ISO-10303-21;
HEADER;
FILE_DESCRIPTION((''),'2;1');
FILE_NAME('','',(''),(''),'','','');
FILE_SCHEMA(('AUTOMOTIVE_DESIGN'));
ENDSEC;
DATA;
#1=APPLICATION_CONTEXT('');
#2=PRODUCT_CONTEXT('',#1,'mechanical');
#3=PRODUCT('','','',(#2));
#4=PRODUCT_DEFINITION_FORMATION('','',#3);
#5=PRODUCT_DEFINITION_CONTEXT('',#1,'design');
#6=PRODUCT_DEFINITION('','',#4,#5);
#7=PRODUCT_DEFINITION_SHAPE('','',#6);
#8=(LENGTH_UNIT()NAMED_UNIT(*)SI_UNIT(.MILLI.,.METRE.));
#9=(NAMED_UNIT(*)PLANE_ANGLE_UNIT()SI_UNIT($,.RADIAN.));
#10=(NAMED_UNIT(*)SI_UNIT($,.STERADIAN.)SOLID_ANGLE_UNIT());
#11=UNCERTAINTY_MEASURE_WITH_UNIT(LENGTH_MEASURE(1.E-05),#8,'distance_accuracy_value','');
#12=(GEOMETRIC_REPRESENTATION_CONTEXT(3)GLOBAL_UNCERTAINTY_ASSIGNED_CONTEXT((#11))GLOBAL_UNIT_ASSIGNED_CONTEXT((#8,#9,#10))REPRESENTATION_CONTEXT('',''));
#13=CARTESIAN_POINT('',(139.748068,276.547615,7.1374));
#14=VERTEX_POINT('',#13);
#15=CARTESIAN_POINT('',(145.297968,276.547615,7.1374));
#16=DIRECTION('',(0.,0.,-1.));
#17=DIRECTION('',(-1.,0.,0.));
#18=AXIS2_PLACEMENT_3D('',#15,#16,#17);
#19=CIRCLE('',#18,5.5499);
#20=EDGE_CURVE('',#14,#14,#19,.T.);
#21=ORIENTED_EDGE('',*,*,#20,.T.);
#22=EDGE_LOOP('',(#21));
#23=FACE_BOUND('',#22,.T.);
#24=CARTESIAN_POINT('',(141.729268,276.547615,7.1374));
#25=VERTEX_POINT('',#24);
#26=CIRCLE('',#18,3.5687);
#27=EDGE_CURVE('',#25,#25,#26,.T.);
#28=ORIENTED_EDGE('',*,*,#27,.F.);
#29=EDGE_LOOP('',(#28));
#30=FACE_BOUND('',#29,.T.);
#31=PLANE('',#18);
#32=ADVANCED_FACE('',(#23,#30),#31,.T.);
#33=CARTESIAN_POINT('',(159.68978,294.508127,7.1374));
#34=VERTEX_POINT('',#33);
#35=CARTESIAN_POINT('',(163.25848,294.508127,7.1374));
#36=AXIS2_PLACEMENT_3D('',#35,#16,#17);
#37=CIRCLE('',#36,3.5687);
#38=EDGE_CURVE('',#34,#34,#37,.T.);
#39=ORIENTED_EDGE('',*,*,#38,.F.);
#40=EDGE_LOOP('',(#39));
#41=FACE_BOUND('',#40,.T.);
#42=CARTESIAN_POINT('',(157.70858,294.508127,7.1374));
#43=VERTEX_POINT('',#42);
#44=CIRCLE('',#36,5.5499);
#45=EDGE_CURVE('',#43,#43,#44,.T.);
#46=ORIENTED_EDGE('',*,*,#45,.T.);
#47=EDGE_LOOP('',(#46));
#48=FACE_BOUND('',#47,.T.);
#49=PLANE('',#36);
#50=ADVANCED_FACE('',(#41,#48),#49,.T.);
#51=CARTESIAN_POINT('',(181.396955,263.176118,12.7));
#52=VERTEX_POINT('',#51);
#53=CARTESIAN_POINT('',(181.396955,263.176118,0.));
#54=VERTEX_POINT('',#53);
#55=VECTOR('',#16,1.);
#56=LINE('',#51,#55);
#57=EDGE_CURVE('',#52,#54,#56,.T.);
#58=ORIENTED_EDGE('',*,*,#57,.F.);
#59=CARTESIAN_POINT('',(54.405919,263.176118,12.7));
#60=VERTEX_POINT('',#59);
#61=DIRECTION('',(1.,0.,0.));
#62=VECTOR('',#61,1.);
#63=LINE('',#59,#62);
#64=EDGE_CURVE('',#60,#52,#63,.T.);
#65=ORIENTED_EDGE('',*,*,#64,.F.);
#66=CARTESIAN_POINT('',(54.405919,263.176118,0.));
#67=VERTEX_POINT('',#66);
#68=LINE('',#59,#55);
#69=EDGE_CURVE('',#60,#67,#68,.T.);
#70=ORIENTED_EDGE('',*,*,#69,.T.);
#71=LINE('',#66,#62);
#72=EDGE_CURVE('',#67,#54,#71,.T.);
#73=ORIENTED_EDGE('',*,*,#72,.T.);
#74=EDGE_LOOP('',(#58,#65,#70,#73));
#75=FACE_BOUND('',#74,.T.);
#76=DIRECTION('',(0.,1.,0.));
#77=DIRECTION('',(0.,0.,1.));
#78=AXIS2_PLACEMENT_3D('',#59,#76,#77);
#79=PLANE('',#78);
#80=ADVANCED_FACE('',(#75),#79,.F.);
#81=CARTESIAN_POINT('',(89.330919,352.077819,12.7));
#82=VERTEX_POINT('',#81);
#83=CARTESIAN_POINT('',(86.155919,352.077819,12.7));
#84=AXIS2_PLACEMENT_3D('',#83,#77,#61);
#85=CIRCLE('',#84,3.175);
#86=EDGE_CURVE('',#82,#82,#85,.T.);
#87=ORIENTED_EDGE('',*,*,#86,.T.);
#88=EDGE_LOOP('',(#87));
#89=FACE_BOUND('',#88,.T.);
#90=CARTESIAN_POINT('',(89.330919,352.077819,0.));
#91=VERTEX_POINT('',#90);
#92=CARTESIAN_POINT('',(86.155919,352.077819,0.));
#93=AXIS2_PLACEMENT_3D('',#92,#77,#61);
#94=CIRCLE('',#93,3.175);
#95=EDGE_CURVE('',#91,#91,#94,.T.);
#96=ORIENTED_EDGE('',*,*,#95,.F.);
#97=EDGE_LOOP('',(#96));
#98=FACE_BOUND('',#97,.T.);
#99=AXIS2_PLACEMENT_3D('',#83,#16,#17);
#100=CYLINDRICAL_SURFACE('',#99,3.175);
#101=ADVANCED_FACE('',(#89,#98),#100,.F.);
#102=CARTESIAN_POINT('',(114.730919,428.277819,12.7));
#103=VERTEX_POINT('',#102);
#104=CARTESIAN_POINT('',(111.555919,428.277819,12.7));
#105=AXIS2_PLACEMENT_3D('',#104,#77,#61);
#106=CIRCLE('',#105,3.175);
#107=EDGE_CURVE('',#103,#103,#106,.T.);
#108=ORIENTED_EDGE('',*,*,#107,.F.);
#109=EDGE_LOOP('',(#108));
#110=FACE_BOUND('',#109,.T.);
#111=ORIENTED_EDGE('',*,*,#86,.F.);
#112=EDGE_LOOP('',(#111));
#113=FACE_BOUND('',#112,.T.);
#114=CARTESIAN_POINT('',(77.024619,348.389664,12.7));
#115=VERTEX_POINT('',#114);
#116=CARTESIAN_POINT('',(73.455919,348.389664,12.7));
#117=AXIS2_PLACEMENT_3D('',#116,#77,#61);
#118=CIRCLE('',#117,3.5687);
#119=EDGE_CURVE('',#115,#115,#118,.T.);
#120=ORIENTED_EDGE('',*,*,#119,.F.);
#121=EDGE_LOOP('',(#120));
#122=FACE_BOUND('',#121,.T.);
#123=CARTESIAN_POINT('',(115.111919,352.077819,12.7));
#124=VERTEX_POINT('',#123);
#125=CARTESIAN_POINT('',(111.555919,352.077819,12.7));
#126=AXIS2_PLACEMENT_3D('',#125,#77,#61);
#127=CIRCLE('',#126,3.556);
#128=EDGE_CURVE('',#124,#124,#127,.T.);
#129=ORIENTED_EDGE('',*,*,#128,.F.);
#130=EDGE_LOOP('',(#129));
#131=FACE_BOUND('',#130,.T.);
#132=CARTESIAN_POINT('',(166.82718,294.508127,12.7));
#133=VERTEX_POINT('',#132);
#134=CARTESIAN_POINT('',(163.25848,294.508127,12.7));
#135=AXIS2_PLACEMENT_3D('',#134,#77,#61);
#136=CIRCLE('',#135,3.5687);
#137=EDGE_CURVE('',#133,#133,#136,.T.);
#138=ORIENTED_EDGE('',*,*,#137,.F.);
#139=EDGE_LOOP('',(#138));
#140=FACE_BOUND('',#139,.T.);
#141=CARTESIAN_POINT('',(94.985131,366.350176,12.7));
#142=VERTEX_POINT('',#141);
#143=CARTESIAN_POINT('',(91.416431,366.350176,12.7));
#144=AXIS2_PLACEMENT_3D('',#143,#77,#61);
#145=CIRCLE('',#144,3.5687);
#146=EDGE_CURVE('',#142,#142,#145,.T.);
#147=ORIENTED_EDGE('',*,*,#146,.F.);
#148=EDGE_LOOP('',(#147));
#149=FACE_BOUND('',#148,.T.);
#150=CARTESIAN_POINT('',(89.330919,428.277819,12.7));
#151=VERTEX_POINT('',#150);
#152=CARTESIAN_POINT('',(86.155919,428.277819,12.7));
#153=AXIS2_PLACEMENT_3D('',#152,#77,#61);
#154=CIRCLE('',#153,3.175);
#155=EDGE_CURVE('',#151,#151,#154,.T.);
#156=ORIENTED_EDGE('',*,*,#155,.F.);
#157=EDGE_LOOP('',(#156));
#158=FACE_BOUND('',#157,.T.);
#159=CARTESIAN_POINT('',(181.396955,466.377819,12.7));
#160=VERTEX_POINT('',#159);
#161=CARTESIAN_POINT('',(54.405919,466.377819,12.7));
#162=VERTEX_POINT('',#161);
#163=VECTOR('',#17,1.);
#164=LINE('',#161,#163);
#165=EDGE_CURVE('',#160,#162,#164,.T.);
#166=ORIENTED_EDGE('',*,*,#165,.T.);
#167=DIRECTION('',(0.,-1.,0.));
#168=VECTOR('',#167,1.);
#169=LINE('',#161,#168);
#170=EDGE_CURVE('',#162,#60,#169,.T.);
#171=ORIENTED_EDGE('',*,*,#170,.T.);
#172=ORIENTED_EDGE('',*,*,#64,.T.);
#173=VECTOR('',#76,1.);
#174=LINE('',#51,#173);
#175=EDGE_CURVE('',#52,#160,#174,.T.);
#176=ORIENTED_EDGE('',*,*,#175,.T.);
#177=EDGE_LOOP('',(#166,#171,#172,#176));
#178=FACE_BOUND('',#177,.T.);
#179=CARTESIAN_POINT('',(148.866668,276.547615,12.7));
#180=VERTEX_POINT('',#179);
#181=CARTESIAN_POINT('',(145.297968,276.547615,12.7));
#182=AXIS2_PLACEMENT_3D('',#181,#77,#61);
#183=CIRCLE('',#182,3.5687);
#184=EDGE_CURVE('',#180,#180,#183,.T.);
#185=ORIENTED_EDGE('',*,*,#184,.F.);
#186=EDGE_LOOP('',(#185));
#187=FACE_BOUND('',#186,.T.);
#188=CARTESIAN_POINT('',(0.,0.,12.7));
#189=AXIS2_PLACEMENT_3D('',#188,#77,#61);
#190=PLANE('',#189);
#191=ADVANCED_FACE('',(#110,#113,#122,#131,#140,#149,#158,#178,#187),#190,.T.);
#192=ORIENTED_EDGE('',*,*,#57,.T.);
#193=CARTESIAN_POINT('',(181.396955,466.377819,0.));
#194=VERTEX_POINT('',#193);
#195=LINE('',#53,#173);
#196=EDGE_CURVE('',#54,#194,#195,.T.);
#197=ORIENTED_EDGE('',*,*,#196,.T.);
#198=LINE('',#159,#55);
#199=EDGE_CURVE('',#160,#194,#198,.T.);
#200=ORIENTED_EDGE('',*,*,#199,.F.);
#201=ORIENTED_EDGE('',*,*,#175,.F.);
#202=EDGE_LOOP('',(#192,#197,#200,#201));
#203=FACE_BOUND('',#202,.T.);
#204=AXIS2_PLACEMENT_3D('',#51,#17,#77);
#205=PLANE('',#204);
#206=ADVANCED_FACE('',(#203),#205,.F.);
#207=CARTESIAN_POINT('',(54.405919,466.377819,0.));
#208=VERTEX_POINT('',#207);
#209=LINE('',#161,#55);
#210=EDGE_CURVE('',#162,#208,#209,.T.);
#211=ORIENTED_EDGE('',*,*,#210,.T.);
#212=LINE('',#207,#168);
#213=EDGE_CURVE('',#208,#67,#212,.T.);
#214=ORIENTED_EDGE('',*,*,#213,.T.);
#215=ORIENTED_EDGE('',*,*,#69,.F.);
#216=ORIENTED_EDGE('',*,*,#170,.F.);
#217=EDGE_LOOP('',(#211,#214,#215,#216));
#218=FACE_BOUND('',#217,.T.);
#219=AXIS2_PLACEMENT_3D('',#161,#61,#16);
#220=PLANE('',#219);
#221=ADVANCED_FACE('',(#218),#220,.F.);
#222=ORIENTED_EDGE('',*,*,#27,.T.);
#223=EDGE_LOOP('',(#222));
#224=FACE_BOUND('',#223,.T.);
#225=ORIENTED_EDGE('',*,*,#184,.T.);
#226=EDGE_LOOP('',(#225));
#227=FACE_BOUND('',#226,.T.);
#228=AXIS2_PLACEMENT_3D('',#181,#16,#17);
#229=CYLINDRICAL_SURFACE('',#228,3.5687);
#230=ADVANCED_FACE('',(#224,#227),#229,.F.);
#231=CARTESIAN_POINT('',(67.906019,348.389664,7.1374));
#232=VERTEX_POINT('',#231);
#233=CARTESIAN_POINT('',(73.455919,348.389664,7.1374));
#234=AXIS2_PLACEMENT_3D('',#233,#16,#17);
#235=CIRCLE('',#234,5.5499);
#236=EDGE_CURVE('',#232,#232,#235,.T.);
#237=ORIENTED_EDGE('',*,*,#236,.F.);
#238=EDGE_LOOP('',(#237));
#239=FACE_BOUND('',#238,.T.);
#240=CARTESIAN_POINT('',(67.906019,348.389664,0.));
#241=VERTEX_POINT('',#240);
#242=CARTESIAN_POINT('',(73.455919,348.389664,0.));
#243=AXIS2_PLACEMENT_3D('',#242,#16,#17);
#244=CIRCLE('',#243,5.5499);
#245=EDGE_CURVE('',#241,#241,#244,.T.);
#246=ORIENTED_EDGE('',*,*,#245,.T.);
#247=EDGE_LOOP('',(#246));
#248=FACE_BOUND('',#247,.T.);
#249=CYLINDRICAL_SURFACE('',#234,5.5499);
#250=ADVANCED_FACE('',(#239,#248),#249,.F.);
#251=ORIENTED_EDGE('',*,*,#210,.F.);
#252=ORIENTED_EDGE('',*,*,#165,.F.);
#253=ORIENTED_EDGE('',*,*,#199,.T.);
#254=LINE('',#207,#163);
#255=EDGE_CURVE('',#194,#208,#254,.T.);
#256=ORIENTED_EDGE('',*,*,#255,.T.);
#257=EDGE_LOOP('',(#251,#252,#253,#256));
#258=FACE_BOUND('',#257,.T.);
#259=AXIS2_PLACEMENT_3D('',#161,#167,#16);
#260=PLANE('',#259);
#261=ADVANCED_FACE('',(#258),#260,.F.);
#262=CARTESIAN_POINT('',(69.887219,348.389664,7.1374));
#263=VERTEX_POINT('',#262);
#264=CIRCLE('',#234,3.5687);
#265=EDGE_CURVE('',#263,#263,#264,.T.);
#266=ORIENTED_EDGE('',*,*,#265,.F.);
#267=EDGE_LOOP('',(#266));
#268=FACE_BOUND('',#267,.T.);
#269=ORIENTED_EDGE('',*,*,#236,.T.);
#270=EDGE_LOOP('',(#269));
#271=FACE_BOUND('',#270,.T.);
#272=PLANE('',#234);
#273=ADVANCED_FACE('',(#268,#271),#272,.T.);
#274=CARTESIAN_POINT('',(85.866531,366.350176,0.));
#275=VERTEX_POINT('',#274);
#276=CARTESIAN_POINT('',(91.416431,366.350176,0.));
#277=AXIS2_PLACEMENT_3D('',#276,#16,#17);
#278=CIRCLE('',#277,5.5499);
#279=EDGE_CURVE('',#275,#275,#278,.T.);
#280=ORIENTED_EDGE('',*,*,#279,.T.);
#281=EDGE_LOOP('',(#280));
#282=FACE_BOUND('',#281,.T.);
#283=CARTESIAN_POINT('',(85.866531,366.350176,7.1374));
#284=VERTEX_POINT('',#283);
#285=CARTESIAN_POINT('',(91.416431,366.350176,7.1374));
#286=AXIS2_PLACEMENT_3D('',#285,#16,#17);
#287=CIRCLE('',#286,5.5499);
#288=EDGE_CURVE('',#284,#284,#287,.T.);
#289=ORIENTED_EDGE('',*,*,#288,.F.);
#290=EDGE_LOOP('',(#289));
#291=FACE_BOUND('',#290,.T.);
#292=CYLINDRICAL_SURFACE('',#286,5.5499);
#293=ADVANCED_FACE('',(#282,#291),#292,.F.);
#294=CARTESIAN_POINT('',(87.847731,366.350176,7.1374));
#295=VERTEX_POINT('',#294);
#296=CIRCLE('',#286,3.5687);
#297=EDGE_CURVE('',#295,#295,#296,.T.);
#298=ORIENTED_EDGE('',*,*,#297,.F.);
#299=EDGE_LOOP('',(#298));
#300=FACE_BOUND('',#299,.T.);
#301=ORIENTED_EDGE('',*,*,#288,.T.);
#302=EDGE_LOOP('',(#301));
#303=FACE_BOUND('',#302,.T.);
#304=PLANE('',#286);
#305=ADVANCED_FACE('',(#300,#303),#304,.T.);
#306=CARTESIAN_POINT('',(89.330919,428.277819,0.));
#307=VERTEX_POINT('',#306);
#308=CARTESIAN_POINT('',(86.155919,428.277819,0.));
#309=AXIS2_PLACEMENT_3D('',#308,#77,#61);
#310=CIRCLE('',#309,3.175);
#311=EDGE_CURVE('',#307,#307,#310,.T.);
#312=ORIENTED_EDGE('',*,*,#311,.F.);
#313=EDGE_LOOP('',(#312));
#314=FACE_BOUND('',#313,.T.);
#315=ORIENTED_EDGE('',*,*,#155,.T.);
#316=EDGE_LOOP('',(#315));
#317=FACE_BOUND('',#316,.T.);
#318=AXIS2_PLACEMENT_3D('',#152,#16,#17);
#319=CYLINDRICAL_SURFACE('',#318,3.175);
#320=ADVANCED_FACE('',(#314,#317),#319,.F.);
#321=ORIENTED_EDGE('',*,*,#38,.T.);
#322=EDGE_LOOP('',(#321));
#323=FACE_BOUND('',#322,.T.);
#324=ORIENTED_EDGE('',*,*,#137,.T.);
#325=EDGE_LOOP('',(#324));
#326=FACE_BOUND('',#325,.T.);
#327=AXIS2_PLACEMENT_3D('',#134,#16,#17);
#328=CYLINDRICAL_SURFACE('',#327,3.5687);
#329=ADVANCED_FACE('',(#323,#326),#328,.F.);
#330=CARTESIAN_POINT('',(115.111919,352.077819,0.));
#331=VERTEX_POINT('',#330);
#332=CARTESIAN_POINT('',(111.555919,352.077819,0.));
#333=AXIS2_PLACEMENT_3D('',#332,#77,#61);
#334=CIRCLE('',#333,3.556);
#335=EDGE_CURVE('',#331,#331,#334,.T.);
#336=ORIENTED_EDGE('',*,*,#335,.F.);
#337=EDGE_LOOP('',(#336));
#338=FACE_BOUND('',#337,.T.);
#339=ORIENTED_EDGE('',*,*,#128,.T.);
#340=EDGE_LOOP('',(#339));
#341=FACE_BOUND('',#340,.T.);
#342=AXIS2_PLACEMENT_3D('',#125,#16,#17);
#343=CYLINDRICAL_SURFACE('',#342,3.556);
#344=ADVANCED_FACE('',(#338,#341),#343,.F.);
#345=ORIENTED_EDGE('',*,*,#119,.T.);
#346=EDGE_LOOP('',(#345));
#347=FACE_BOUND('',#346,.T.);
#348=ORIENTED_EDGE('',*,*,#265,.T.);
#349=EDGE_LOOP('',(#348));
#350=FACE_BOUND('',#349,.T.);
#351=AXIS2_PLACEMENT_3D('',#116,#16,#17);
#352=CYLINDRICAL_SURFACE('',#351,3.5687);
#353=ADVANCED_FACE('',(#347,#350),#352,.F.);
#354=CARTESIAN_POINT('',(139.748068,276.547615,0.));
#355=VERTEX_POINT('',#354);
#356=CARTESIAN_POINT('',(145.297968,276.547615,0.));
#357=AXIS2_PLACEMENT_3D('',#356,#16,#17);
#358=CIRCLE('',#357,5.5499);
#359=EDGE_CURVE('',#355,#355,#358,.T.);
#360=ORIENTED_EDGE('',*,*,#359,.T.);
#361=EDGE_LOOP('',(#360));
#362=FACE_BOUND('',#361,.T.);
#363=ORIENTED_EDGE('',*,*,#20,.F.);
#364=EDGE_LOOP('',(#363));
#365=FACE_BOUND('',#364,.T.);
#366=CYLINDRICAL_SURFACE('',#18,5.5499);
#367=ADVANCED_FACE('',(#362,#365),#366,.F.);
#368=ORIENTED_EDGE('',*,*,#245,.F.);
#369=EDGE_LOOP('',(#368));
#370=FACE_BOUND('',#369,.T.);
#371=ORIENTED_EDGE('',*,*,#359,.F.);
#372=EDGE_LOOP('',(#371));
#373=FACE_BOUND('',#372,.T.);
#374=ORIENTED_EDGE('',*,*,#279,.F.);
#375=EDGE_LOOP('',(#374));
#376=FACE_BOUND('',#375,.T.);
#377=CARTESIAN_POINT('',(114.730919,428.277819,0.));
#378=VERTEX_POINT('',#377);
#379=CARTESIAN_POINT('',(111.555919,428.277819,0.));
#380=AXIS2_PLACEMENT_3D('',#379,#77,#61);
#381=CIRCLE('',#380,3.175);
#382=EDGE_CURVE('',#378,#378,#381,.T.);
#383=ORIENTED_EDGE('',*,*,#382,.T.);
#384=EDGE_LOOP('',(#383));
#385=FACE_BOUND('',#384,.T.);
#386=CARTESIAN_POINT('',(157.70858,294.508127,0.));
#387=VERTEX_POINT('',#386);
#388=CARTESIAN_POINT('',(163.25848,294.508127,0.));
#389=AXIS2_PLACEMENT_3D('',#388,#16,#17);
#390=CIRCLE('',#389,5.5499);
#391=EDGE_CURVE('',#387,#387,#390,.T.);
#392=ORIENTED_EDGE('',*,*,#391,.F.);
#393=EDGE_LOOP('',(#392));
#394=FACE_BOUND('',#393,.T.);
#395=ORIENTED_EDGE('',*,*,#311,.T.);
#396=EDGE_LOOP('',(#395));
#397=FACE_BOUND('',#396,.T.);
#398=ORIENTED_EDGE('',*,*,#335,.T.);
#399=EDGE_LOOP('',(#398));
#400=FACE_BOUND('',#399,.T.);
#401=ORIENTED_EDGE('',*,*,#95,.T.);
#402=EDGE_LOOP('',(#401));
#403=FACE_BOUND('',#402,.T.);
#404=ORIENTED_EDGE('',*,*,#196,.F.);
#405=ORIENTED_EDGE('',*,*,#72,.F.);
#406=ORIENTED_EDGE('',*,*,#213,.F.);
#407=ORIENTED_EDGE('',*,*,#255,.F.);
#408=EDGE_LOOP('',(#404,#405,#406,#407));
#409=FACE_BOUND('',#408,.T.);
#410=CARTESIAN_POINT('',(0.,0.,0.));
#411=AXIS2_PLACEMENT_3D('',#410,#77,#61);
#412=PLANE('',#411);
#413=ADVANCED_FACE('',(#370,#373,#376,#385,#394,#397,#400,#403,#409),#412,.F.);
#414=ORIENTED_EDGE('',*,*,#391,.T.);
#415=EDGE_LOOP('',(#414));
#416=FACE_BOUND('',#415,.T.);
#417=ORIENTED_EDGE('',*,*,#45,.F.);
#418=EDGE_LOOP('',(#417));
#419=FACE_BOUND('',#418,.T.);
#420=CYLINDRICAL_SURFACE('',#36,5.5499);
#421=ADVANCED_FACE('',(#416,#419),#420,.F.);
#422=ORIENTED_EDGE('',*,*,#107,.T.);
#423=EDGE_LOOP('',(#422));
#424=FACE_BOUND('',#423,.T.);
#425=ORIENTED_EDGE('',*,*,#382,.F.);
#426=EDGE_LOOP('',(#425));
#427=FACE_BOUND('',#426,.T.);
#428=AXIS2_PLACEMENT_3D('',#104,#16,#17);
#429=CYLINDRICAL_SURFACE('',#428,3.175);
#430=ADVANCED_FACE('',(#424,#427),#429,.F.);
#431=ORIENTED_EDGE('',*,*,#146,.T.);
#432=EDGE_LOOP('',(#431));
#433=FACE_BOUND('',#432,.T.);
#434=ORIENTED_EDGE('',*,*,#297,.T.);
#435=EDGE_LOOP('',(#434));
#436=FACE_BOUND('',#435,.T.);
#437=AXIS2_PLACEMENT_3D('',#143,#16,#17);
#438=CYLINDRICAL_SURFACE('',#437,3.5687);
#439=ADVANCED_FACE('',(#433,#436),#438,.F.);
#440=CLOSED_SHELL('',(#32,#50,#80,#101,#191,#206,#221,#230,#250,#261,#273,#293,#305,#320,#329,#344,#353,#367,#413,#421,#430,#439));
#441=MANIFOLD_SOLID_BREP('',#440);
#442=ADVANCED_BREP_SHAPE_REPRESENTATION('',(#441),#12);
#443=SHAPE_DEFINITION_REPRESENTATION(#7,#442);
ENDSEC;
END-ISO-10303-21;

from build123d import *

# Parameters (mm, degrees)
SKETCH1_W           = 126.991036612
SKETCH1_H           = 203.20170097
SKETCH1_R           = 3.5687
SKETCH1_R_2         = 3.175
SKETCH1_R_3         = 3.556
BOSS_EXTRUDE1_DEPTH = 12.7
SKETCH2_R           = 5.5499
CUT_EXTRUDE1_DEPTH  = 7.1374


with BuildPart() as part:
    # Sketch1 → Boss-Extrude1 (new body)
    with BuildSketch(Plane.XY):
        with Locations((117.901436969, 364.776968974)):
            Rectangle(SKETCH1_W, SKETCH1_H)
        with Locations((163.258479874, 294.508127154)):
            Circle(SKETCH1_R, mode=Mode.SUBTRACT)
        with Locations((145.297967632, 276.547614912)):
            Circle(SKETCH1_R, mode=Mode.SUBTRACT)
        with Locations((91.416430905, 366.350176123)):
            Circle(SKETCH1_R, mode=Mode.SUBTRACT)
        with Locations((73.455918663, 348.389663881)):
            Circle(SKETCH1_R, mode=Mode.SUBTRACT)
        with Locations((86.155918663, 428.277819459)):
            Circle(SKETCH1_R_2, mode=Mode.SUBTRACT)
        with Locations((111.555918663, 428.277819459)):
            Circle(SKETCH1_R_2, mode=Mode.SUBTRACT)
        with Locations((86.155918663, 352.077819459)):
            Circle(SKETCH1_R_2, mode=Mode.SUBTRACT)
        with Locations((111.555918663, 352.077819459)):
            Circle(SKETCH1_R_3, mode=Mode.SUBTRACT)
    extrude(amount=BOSS_EXTRUDE1_DEPTH)

    # Sketch2 → Cut-Extrude1 (cut)
    with BuildSketch(Plane(origin=(0, 0, 0), x_dir=(-1, 0, 0), z_dir=(0, 0, -1))):
        with Locations((-91.416430905, 366.350176123)):
            Circle(SKETCH2_R)
        with Locations((-73.455918663, 348.389663881)):
            Circle(SKETCH2_R)
        with Locations((-163.258479874, 294.508127154)):
            Circle(SKETCH2_R)
        with Locations((-145.297967632, 276.547614912)):
            Circle(SKETCH2_R)
    extrude(amount=-CUT_EXTRUDE1_DEPTH, mode=Mode.SUBTRACT)


solid = part.part
